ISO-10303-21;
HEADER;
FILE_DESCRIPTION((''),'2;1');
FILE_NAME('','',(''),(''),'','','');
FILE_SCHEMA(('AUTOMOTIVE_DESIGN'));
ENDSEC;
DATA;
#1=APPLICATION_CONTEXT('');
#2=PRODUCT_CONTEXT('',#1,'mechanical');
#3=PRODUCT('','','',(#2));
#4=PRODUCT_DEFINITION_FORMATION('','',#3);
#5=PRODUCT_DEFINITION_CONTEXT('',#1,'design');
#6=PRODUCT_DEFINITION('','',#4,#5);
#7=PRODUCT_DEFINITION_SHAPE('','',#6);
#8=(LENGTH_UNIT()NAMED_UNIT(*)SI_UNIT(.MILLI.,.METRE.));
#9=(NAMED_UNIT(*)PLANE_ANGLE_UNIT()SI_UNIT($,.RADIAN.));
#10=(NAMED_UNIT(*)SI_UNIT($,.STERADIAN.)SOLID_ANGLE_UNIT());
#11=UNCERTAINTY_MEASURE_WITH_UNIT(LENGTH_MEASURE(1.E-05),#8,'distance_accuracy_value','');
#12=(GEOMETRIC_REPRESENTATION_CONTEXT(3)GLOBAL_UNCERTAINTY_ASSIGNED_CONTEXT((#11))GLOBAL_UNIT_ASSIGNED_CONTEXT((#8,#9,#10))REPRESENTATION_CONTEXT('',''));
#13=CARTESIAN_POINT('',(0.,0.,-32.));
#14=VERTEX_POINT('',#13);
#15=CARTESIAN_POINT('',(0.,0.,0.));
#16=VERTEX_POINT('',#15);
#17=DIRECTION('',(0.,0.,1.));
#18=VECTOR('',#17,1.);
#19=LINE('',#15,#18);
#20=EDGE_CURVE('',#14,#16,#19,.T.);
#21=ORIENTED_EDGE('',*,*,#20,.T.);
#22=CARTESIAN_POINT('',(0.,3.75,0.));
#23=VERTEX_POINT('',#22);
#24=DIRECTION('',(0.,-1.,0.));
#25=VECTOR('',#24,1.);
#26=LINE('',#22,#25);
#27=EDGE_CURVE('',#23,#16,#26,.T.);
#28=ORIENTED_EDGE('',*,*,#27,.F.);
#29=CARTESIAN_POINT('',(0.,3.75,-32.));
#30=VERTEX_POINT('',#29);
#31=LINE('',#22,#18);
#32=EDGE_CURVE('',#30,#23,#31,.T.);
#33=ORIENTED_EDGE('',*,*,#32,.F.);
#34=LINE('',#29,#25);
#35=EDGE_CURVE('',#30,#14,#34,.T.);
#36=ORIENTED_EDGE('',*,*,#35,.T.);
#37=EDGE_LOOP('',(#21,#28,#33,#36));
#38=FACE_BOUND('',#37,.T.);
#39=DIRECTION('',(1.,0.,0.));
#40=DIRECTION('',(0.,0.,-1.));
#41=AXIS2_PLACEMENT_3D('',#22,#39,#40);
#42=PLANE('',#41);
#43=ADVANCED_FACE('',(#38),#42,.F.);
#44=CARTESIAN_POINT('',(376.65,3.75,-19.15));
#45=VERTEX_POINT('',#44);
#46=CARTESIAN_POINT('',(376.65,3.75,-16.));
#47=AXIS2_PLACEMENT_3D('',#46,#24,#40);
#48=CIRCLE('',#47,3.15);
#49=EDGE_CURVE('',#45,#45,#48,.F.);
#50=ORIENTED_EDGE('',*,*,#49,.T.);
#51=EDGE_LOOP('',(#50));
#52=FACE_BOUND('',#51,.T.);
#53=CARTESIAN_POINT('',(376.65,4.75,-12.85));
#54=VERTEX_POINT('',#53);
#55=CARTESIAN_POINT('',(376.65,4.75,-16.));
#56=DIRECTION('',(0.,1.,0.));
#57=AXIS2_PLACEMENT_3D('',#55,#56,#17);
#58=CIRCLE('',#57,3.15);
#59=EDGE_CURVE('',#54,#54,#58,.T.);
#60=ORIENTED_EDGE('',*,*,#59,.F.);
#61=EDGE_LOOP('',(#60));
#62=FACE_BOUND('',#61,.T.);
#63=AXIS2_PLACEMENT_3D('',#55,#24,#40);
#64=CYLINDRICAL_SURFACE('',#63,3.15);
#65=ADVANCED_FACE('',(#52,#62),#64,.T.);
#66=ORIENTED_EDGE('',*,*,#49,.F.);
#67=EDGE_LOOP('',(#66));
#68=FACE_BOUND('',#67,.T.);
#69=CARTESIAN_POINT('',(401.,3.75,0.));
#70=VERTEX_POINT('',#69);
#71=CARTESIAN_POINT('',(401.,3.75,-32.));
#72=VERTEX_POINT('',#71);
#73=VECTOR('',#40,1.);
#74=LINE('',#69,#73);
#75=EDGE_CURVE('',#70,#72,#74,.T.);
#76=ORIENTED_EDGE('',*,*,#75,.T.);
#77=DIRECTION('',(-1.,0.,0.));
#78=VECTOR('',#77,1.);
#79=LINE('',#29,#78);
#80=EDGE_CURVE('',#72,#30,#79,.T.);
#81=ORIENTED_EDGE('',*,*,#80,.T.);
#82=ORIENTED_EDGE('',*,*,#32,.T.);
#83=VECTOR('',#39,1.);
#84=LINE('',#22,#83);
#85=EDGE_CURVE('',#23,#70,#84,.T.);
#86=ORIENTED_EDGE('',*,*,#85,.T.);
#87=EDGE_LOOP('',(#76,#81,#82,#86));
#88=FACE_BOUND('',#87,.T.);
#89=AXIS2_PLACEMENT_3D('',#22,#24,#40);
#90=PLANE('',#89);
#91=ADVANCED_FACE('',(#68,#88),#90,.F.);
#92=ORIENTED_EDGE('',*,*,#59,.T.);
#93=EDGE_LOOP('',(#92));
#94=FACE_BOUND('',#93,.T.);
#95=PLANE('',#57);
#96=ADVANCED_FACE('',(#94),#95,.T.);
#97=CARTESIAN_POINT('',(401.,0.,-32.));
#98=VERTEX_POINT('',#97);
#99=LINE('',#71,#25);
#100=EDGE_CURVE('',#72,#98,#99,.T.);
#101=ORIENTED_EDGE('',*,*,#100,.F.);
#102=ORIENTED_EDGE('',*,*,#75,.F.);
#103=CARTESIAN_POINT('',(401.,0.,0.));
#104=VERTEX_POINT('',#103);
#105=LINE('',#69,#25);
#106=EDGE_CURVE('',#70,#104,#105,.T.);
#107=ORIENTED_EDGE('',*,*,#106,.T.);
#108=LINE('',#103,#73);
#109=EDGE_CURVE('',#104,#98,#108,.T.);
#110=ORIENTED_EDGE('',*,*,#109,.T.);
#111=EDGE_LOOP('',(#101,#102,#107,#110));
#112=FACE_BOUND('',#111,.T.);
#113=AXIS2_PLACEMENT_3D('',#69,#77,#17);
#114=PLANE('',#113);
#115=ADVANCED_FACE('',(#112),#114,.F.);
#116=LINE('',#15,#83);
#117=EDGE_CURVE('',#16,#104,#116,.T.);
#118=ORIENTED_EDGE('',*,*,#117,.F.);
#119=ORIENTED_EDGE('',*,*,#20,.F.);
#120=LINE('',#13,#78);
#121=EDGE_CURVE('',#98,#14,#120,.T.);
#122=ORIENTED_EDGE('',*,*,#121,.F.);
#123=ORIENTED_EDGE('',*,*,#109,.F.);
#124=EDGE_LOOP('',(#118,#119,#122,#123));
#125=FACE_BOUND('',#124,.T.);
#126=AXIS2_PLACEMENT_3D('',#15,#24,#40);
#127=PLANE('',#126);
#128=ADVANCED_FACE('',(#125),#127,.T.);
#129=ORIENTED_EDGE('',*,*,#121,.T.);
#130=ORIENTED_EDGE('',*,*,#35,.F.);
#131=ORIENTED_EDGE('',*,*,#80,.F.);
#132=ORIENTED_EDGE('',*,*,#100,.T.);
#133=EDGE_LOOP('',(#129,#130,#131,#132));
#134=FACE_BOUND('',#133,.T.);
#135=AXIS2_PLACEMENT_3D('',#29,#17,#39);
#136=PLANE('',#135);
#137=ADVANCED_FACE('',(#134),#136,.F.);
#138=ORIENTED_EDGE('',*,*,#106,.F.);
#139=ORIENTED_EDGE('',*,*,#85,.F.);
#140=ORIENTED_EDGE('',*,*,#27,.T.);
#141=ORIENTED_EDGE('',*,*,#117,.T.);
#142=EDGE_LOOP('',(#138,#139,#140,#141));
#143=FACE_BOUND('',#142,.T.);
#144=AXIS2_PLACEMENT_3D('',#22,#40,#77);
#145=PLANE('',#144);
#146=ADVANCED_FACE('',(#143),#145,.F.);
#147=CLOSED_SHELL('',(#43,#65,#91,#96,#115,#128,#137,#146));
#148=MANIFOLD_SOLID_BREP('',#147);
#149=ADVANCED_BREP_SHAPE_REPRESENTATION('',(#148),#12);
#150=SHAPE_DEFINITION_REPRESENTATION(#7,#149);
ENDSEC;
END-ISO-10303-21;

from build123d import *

# Parameters (mm, degrees)
ESBO_O1_W                = 401
ESBO_O1_H                = 32
RESSALTO_EXTRUS_O1_DEPTH = 3.75
ESBO_O6_R                = 3.15
RESSALTO_EXTRUS_O3_DEPTH = 1


with BuildPart() as part:
    # Esboço1 → Ressalto-extrusão1 (new body)
    with BuildSketch(Plane(origin=(0, 0, 0), x_dir=(1, 0, 0), z_dir=(0, 1, 0))):
        with Locations((200.5, 16)):
            Rectangle(ESBO_O1_W, ESBO_O1_H)
    extrude(amount=RESSALTO_EXTRUS_O1_DEPTH)

    # Esboço6 → Ressalto-extrusão3 (add)
    with BuildSketch(Plane(origin=(0, 3.75, 0), x_dir=(1, 0, 0), z_dir=(0, 1, 0))):
        with Locations(Location((376.65, 16, 0), (0, 0, 90))):
            Circle(ESBO_O6_R)
    extrude(amount=RESSALTO_EXTRUS_O3_DEPTH)


solid = part.part
